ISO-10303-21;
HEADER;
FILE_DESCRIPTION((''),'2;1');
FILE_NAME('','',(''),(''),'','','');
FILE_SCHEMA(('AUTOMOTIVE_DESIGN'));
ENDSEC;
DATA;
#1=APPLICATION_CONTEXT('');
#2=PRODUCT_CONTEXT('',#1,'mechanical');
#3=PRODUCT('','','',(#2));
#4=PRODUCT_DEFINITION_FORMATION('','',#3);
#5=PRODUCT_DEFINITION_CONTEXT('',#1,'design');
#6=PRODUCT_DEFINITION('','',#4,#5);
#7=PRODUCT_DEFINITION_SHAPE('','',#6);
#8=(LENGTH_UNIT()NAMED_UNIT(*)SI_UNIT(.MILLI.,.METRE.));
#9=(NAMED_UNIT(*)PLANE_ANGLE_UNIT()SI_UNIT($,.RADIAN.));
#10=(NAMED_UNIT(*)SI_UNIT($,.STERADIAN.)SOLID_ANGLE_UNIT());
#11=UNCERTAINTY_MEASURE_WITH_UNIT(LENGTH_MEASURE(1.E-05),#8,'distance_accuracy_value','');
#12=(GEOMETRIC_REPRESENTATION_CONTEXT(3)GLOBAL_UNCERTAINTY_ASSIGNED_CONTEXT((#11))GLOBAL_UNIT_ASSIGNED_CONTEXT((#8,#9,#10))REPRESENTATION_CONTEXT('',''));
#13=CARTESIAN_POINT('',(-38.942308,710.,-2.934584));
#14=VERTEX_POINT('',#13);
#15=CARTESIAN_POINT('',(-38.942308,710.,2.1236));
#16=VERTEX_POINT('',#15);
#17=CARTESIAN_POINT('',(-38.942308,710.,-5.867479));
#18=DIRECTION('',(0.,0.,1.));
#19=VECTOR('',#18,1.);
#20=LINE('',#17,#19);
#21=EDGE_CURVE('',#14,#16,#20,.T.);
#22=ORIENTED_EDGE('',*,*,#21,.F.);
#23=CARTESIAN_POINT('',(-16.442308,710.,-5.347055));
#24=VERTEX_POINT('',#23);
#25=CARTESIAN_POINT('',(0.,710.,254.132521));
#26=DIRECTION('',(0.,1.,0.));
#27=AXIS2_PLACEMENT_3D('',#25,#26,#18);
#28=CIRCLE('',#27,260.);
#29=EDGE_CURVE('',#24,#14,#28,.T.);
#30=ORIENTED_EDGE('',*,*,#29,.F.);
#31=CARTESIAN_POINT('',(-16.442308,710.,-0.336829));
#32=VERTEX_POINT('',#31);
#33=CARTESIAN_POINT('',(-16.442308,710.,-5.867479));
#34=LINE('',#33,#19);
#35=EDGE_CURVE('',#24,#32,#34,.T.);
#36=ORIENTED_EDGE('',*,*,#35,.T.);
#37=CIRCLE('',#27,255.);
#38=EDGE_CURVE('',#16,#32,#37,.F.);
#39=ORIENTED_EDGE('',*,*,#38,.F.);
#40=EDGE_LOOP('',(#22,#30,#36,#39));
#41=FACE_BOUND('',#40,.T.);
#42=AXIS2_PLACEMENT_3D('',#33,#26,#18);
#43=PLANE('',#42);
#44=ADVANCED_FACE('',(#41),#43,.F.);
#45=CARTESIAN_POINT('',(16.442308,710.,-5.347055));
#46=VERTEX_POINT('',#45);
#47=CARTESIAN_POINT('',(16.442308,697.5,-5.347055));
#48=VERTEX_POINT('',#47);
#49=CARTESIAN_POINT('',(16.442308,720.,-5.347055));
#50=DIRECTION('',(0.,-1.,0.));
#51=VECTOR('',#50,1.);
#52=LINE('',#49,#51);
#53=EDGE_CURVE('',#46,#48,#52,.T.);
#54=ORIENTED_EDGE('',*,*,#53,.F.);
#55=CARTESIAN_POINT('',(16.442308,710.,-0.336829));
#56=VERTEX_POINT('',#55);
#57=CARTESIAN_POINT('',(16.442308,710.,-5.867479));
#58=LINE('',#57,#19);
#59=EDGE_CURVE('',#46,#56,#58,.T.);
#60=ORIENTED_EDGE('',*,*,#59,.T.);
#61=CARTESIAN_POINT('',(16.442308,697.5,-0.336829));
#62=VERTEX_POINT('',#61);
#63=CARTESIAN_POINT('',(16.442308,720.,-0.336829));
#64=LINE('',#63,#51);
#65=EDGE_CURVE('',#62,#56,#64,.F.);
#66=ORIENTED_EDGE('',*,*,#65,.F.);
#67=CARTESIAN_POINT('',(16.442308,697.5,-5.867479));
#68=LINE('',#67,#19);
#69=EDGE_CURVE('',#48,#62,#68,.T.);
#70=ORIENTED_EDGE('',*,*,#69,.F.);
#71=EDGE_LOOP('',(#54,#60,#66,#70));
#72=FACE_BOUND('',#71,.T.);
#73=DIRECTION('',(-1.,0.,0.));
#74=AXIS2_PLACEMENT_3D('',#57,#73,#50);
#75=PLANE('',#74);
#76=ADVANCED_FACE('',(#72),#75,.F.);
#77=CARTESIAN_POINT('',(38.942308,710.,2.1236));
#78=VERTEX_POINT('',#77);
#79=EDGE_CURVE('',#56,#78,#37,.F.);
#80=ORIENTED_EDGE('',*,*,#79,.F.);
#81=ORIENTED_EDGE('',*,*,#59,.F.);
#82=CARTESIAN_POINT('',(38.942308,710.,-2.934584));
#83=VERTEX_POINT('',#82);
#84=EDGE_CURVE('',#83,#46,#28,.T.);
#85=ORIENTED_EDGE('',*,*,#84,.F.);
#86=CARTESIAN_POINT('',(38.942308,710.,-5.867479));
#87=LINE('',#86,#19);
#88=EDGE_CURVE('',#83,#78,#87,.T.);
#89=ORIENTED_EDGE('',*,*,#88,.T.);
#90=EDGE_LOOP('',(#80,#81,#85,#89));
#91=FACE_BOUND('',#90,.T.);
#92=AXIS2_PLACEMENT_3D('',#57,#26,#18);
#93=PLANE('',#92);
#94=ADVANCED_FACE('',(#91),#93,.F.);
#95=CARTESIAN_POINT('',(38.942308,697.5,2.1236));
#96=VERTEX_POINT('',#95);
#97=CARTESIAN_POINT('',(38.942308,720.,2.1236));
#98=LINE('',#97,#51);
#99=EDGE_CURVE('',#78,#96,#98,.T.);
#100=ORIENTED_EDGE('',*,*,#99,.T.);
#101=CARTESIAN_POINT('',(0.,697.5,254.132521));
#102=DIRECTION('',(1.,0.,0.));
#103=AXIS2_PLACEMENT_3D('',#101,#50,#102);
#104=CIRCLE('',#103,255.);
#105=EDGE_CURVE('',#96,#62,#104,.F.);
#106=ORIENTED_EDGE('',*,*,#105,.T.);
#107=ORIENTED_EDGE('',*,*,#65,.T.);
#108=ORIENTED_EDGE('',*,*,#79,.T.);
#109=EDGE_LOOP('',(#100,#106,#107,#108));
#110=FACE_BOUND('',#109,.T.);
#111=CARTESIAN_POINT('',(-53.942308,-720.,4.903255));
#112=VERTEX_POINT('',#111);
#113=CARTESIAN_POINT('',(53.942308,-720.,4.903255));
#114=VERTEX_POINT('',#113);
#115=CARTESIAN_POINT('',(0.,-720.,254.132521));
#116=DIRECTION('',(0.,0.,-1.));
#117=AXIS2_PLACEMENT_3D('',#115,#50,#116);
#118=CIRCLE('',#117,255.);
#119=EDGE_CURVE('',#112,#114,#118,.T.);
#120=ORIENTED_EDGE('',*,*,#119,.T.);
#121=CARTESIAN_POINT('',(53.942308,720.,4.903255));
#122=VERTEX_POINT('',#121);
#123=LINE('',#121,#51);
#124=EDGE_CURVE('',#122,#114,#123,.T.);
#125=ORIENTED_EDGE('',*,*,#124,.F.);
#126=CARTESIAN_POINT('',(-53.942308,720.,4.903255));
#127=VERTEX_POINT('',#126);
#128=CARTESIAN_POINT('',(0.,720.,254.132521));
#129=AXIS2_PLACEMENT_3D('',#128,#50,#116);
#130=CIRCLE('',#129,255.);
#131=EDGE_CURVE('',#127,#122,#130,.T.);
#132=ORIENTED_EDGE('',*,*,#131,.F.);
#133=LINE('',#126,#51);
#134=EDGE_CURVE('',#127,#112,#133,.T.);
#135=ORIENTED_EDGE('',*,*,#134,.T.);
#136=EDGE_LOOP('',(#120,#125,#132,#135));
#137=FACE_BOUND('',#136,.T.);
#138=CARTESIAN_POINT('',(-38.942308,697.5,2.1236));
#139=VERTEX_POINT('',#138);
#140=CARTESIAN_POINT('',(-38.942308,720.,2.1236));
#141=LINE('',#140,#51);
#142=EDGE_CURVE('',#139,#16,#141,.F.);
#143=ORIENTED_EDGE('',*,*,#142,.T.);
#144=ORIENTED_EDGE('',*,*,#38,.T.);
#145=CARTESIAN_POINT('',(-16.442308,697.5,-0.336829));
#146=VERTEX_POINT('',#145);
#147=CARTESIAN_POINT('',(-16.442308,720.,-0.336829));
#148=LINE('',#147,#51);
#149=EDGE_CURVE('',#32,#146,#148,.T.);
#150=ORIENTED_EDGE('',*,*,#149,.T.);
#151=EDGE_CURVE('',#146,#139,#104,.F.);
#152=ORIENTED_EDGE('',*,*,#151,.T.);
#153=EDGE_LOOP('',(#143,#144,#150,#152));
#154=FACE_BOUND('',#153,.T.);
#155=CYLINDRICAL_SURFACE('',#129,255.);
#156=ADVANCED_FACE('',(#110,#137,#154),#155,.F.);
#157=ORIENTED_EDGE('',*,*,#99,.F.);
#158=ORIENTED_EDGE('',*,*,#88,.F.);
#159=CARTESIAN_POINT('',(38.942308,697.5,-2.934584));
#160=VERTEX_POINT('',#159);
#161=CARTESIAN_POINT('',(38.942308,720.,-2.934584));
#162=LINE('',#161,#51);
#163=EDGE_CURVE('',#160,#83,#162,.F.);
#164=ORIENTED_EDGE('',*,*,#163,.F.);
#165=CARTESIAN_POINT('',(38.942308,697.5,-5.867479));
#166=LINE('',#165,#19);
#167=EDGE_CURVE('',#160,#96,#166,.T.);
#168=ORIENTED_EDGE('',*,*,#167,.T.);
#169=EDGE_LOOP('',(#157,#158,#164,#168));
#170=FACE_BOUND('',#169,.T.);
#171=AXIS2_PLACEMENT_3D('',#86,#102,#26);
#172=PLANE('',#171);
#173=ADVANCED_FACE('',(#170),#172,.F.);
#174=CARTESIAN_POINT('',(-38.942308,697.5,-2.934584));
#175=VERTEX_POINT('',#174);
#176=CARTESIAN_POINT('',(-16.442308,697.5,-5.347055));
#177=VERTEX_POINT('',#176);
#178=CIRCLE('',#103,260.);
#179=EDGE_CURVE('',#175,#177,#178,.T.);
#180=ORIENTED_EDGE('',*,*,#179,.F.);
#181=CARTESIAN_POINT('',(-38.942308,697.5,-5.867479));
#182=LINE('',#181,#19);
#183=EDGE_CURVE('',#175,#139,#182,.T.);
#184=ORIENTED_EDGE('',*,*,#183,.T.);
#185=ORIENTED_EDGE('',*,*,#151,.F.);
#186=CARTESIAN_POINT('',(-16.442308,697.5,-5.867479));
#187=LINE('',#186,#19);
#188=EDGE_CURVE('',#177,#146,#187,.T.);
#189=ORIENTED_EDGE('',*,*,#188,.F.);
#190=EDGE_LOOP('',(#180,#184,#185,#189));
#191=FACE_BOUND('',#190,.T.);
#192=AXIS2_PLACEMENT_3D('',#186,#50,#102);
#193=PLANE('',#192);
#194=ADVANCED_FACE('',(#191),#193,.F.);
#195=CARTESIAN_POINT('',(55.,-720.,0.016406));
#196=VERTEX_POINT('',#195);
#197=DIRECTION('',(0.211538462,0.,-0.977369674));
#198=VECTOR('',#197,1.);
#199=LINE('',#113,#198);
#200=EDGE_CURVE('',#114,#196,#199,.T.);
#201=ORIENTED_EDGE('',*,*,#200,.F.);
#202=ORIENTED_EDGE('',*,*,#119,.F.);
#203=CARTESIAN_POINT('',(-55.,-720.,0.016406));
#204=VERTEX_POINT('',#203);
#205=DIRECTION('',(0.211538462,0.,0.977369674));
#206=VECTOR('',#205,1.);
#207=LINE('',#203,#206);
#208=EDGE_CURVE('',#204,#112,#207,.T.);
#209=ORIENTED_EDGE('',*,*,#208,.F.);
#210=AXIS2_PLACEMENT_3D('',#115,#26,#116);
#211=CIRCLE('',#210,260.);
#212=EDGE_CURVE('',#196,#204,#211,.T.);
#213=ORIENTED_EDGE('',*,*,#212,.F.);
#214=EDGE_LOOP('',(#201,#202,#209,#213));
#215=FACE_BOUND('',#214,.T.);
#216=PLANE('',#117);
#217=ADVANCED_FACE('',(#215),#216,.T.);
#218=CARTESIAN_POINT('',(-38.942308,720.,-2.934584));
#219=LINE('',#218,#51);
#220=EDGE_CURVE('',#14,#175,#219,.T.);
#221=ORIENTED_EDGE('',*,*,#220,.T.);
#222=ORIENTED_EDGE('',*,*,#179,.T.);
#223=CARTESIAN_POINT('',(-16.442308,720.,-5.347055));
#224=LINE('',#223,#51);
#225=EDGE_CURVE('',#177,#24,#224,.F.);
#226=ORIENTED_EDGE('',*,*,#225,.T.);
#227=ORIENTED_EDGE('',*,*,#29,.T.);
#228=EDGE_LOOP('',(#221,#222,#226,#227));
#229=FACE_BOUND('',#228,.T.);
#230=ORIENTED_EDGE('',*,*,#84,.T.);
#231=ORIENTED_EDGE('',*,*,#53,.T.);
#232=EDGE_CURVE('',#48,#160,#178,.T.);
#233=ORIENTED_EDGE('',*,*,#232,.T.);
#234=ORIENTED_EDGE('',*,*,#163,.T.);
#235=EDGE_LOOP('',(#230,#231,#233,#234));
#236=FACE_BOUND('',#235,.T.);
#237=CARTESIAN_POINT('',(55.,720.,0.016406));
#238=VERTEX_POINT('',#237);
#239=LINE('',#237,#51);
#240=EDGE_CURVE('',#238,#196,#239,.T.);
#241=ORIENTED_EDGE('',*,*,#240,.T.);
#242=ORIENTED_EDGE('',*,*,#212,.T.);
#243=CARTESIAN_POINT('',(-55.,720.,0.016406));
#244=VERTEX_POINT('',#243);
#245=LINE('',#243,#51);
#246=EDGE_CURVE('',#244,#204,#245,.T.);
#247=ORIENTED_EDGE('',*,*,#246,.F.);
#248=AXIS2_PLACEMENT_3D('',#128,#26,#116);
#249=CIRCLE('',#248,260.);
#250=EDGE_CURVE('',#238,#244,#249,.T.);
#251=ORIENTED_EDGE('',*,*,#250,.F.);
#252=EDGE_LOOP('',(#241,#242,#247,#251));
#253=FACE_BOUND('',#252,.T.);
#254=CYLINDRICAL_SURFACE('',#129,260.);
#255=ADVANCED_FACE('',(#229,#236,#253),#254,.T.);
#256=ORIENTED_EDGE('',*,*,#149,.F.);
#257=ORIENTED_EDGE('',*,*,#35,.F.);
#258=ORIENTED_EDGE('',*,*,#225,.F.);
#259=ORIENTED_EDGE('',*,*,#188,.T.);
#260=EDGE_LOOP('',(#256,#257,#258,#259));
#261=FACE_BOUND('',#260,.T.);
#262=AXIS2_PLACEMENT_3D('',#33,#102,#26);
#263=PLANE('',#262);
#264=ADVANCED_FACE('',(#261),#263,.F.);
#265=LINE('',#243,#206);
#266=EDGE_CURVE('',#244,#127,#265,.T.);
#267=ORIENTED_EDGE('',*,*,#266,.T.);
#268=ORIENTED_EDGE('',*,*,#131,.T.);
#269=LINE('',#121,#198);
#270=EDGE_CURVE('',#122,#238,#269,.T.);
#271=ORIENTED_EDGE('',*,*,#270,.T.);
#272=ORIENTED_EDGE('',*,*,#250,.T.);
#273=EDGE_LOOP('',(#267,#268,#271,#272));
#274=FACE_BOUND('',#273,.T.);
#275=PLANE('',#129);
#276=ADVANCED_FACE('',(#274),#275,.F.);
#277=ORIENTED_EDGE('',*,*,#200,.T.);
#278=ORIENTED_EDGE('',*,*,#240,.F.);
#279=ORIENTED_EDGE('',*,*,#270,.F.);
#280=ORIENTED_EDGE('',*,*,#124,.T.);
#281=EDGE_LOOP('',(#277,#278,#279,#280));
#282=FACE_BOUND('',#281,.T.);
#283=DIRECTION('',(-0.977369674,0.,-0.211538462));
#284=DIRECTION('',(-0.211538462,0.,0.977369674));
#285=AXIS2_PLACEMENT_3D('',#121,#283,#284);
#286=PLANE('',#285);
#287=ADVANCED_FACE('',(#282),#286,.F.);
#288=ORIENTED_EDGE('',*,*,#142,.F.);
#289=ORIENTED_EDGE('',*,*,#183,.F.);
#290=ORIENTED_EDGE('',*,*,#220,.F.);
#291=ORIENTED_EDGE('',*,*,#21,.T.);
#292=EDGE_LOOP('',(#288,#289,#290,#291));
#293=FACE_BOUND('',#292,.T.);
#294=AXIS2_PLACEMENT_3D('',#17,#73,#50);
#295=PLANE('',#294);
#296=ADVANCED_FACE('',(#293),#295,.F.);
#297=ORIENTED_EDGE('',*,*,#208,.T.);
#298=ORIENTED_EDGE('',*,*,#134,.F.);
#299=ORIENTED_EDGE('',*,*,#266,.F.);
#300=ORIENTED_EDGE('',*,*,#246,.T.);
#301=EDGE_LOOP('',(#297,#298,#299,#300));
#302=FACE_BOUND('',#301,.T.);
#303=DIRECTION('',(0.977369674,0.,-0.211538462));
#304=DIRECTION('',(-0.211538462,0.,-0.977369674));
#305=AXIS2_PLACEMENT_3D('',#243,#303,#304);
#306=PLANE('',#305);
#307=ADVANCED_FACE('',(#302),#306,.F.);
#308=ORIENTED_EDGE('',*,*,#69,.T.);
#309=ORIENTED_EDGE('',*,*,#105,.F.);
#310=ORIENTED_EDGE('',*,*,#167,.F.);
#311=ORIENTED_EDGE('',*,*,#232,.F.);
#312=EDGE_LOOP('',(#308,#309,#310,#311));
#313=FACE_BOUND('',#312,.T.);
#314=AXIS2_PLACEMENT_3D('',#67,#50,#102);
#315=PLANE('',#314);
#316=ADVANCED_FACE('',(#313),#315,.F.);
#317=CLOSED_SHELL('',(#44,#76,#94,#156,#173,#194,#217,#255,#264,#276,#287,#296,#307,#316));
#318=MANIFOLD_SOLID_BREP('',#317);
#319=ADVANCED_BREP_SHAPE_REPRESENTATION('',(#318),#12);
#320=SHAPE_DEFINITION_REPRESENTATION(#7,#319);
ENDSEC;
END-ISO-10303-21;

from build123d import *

# Parameters (mm, degrees)
BOSS_EXTRUDE1_DEPTH     = 720
CUT_EXTRUDE6_DEPTH      = 723.121476834
CUT_EXTRUDE6_DEPTH_BACK = 723.121476834
SKETCH8_W               = 22.5
SKETCH8_H               = 12.5


with BuildPart() as part:
    # Sketch3 → Boss-Extrude1 (new, symmetric)
    with BuildSketch(Plane(origin=(0, 0, 0), x_dir=(1, 0, 0), z_dir=(0, 1, 0))):
        with BuildLine():
            Line((-55, -0.016406212), (-53.942307692, -4.903254581))
            ThreePointArc((-53.942307692, -4.903254581), (0, 0.867478597), (53.942307692, -4.903254581))
            Line((53.942307692, -4.903254581), (55, -0.016406212))
            ThreePointArc((55, -0.016406212), (0, 5.867478597), (-55, -0.016406212))
        make_face()
    extrude(amount=BOSS_EXTRUDE1_DEPTH, both=True)

    # Sketch8 → Cut-Extrude6 (cut, two sides: drawn at the far end of the back side and taken through both)
    with BuildSketch(Plane.XY.offset(-CUT_EXTRUDE6_DEPTH_BACK)):
        with Locations((-27.692307692, 703.75)):
            Rectangle(SKETCH8_W, SKETCH8_H)
        with Locations((27.692307692, 703.75)):
            Rectangle(SKETCH8_W, SKETCH8_H)
    extrude(amount=CUT_EXTRUDE6_DEPTH + CUT_EXTRUDE6_DEPTH_BACK, mode=Mode.SUBTRACT)


solid = part.part
